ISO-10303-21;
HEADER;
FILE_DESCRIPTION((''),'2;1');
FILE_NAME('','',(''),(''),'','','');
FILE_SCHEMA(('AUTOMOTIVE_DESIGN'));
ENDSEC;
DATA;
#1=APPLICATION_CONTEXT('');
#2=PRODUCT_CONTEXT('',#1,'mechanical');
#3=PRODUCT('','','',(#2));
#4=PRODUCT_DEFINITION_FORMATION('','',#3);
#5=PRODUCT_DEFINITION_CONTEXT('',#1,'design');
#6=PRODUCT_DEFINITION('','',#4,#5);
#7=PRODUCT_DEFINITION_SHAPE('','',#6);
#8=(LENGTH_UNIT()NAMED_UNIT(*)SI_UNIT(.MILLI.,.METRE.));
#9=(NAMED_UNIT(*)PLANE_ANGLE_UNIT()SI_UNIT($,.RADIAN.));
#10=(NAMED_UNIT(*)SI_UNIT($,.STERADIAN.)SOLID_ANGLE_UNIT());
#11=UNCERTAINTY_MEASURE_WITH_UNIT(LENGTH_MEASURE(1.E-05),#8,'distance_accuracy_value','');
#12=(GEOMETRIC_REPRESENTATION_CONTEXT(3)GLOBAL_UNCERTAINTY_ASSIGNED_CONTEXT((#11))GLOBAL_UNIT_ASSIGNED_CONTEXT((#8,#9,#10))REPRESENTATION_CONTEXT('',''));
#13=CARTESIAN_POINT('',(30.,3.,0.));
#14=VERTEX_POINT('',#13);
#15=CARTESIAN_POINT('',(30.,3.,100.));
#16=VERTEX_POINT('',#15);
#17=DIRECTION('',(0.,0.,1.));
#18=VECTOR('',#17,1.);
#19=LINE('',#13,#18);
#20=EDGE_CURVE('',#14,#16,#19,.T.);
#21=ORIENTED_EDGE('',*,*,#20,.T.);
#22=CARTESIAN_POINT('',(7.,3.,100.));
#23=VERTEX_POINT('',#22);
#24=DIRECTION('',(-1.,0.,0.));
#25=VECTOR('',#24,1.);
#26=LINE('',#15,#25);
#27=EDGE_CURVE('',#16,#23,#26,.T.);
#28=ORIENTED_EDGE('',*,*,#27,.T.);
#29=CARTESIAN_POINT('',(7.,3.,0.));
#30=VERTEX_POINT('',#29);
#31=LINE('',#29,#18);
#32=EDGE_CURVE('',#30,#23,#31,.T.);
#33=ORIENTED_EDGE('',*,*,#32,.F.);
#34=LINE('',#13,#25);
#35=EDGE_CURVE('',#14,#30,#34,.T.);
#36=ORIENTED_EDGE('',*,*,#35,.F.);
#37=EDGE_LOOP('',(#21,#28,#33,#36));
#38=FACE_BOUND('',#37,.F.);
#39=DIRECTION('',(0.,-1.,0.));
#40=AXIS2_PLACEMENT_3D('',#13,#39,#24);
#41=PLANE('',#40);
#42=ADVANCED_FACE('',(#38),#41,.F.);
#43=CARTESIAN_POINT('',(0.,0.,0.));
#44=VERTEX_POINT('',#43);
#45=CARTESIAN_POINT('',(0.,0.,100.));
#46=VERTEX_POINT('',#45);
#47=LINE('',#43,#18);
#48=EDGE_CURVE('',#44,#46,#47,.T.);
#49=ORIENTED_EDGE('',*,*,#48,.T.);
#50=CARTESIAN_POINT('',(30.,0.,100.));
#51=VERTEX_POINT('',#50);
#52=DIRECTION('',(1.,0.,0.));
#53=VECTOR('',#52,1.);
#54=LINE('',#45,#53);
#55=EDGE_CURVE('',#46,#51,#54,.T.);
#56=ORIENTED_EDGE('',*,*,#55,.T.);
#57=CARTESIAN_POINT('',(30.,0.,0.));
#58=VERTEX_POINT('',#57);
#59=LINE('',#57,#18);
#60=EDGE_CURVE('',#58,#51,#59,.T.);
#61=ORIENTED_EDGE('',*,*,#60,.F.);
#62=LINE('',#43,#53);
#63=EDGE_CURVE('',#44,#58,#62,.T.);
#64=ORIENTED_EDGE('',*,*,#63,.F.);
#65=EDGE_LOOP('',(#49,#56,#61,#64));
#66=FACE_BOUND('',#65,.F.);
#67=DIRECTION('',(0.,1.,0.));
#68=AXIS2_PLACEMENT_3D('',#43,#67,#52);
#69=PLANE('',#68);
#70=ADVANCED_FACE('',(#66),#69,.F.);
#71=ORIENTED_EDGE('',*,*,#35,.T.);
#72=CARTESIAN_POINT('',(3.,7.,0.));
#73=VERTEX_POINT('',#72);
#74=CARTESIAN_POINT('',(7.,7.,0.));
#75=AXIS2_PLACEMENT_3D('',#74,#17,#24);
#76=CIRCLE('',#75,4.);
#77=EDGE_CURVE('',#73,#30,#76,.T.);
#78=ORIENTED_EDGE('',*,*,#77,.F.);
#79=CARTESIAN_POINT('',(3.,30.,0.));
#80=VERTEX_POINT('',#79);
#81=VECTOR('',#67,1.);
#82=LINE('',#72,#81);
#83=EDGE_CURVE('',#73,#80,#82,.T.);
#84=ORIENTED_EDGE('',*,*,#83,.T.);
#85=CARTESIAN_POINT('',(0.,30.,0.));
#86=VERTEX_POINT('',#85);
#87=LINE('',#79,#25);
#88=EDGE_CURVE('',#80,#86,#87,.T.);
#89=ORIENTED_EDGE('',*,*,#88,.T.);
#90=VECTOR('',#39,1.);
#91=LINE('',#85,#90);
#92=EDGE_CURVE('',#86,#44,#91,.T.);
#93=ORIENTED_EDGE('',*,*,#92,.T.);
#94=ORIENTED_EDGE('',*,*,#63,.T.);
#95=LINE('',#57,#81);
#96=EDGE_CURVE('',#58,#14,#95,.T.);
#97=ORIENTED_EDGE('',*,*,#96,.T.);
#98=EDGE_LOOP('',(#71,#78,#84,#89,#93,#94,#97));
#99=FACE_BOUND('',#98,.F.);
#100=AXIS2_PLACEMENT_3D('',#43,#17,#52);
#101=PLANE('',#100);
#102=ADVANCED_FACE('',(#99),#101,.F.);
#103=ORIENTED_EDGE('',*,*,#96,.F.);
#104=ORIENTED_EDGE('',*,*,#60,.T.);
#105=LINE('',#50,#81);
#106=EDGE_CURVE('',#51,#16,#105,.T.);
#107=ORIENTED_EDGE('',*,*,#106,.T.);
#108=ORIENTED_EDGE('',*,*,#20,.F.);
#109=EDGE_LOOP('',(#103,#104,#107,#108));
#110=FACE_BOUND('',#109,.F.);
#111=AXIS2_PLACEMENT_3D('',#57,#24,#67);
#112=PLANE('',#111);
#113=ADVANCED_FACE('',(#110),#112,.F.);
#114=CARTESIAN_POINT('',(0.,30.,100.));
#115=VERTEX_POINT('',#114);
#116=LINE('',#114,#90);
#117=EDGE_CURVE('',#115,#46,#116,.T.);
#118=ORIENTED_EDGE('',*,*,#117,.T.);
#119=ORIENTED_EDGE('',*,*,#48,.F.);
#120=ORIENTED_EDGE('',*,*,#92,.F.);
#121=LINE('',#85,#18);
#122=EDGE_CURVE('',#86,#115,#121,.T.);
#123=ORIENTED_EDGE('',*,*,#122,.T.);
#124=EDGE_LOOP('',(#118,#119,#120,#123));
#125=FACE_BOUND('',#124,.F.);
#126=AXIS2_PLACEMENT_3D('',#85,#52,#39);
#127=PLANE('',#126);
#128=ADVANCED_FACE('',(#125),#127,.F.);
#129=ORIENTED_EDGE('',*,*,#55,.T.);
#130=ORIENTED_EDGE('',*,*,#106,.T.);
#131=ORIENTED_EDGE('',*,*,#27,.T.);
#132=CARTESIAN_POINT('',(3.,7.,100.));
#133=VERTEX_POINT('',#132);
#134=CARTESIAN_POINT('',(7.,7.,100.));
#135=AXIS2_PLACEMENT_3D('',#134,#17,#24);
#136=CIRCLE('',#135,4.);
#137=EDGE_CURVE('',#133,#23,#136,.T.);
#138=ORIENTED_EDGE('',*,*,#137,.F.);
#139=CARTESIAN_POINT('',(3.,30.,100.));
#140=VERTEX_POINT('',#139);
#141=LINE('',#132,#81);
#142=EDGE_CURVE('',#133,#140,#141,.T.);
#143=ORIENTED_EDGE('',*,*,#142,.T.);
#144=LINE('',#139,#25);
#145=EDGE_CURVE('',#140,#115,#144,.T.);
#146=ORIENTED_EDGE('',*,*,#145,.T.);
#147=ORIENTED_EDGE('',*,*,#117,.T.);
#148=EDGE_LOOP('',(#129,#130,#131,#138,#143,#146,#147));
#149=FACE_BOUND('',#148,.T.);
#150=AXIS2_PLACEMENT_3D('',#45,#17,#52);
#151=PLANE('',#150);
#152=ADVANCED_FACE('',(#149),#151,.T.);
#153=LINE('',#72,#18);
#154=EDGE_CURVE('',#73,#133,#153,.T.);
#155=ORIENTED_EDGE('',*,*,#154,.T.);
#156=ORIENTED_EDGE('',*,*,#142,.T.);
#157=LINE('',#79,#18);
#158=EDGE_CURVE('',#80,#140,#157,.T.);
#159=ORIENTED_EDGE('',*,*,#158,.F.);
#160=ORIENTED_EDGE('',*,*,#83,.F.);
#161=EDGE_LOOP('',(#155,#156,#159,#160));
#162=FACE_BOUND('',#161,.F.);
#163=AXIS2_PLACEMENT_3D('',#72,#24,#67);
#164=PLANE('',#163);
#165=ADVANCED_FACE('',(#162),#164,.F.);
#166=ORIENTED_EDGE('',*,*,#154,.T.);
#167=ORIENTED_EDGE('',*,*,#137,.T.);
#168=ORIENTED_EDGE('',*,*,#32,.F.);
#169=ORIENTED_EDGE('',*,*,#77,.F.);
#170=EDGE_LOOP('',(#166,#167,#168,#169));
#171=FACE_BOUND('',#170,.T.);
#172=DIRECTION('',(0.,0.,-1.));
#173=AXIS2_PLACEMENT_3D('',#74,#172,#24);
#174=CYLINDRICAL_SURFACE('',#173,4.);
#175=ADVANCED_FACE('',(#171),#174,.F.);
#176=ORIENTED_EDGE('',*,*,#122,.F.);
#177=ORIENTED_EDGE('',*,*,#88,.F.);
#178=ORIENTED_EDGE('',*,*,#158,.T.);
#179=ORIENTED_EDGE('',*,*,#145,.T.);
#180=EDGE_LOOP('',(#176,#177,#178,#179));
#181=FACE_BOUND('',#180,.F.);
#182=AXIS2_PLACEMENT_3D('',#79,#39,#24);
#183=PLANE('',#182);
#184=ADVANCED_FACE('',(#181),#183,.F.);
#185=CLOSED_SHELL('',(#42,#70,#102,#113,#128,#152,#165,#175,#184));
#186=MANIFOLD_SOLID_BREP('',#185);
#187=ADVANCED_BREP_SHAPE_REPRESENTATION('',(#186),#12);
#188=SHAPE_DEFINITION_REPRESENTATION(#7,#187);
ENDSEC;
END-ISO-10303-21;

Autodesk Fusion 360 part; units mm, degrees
sketch "スケッチ1" plane through (0, 0, 0) normal (0, 0, 1) x (1, 0, 0)
  line L0 (30, 3) -> (7, 3)
  line L1 (0, 0) -> (30, 0)
  line L2 (0, 30) -> (0, 0)
  line L3 (3, 7) -> (3, 30)
  arc A0 (3, 7) -> (7, 3) centre (7, 7) ccw
  line L4 (3, 30) -> (0, 30)
  line L5 (30, 0) -> (30, 3)
extrude "押し出し1" add sketch "スケッチ1" along normal blind 100
